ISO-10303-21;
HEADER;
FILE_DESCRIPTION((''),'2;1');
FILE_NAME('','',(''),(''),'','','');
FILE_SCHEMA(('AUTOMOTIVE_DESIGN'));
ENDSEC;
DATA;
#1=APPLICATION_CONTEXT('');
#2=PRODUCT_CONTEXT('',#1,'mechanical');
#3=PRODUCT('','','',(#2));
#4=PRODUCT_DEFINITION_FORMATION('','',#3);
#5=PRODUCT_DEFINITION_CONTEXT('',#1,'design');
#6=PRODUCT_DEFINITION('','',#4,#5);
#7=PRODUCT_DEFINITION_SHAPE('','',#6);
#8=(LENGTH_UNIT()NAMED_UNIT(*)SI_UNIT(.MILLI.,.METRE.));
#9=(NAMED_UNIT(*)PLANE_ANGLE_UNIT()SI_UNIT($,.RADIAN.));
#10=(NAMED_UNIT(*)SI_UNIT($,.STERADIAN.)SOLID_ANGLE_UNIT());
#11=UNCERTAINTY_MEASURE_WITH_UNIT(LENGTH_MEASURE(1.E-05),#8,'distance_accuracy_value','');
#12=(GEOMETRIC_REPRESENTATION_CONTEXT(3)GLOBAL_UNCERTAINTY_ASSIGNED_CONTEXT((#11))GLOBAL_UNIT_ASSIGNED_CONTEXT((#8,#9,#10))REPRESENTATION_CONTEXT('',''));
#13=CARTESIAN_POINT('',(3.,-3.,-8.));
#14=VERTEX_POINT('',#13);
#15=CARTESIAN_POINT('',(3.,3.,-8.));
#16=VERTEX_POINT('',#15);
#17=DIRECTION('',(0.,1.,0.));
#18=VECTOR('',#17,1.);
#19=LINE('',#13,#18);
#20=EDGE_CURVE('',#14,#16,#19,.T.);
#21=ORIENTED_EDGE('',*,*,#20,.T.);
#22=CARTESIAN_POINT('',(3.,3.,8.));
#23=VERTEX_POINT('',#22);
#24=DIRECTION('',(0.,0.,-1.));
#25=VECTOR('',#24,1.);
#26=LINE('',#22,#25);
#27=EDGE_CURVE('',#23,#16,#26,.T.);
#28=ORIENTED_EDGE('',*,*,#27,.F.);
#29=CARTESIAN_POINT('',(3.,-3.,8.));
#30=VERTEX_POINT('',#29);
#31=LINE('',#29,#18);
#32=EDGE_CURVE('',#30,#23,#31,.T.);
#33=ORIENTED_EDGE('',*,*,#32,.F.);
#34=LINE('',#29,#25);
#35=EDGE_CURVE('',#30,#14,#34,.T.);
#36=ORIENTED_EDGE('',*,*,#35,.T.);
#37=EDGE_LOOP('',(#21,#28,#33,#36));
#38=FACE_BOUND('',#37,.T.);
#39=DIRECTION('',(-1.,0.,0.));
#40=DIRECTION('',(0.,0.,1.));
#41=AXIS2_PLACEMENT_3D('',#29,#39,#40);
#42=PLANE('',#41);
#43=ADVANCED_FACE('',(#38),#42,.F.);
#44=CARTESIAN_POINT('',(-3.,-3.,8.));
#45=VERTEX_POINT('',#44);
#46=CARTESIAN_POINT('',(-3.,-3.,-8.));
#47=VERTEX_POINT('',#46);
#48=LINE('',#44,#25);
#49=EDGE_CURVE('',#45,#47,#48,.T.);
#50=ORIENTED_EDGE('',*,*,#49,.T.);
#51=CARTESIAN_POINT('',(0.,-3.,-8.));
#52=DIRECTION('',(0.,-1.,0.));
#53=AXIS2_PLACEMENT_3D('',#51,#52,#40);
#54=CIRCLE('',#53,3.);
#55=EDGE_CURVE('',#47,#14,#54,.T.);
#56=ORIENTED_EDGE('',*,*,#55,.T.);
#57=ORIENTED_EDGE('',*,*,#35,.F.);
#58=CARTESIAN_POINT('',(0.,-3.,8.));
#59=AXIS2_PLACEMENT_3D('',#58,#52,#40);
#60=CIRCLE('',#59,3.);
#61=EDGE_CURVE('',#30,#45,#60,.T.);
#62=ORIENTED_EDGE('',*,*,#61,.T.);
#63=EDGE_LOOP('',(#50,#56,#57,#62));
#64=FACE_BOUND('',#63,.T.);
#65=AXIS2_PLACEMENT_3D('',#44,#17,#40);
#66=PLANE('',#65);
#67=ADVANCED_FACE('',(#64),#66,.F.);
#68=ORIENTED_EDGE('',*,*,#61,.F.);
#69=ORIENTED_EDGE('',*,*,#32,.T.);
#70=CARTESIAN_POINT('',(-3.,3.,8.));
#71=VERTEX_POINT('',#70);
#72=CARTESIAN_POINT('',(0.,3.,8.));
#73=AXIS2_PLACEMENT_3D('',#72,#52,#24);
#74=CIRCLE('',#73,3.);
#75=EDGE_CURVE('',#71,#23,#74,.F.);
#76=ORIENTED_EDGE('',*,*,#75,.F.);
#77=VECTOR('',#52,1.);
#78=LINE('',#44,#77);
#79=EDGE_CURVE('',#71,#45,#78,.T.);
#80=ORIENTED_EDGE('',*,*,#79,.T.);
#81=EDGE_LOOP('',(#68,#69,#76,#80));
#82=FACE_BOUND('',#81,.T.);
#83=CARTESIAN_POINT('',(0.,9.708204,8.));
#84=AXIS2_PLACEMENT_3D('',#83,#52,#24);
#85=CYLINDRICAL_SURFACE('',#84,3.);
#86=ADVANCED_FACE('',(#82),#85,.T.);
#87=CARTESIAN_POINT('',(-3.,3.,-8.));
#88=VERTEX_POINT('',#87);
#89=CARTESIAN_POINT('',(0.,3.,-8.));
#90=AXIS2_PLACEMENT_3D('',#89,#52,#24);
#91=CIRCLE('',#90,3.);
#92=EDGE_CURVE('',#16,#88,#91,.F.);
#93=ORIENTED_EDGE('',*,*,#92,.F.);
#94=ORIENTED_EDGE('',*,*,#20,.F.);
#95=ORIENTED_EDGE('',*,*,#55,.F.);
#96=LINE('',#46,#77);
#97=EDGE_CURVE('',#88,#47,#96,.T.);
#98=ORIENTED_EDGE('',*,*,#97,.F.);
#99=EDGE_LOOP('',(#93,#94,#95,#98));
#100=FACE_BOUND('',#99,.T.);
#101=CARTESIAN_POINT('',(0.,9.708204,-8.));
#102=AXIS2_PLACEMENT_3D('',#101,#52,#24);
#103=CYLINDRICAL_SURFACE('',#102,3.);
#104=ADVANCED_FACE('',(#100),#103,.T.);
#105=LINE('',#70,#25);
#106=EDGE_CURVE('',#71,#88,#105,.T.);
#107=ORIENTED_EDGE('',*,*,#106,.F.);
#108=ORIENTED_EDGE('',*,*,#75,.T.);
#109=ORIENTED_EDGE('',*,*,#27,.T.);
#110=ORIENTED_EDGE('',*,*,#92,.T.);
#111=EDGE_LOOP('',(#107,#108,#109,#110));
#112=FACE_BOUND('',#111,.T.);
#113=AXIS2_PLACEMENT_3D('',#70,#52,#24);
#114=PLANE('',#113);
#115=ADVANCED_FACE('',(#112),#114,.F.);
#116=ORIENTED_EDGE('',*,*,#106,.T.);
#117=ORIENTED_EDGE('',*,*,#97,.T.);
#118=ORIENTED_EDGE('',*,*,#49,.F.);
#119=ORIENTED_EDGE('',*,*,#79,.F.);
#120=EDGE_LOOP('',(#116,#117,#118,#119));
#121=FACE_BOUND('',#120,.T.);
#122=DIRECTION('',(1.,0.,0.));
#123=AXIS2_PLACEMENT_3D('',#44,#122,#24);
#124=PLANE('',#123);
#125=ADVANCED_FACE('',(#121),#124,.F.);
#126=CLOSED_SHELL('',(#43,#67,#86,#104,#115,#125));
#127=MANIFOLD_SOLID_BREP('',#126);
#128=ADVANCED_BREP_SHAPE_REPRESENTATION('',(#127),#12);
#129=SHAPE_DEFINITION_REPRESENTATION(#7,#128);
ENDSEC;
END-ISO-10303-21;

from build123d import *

# Parameters (mm, degrees)
SKETCH1_W           = 6
SKETCH1_H           = 6
BOSS_EXTRUDE1_DEPTH = 8
BOSS_EXTRUDE2_DEPTH = 6


with BuildPart() as part:
    # Sketch1 → Boss-Extrude1 (new, symmetric)
    with BuildSketch(Plane.XY):
        Rectangle(SKETCH1_W, SKETCH1_H)
    extrude(amount=BOSS_EXTRUDE1_DEPTH, both=True)

    # Sketch2 → Boss-Extrude2 (add)
    with BuildSketch(Plane.XZ.offset(3)):
        with BuildLine():
            Line((-3, 8), (3, 8))
            ThreePointArc((3, 8), (0, 11), (-3, 8))
        make_face()
        with BuildLine():
            Line((-3, -8), (3, -8))
            ThreePointArc((3, -8), (0, -11), (-3, -8))
        make_face()
    extrude(amount=-BOSS_EXTRUDE2_DEPTH)


solid = part.part
